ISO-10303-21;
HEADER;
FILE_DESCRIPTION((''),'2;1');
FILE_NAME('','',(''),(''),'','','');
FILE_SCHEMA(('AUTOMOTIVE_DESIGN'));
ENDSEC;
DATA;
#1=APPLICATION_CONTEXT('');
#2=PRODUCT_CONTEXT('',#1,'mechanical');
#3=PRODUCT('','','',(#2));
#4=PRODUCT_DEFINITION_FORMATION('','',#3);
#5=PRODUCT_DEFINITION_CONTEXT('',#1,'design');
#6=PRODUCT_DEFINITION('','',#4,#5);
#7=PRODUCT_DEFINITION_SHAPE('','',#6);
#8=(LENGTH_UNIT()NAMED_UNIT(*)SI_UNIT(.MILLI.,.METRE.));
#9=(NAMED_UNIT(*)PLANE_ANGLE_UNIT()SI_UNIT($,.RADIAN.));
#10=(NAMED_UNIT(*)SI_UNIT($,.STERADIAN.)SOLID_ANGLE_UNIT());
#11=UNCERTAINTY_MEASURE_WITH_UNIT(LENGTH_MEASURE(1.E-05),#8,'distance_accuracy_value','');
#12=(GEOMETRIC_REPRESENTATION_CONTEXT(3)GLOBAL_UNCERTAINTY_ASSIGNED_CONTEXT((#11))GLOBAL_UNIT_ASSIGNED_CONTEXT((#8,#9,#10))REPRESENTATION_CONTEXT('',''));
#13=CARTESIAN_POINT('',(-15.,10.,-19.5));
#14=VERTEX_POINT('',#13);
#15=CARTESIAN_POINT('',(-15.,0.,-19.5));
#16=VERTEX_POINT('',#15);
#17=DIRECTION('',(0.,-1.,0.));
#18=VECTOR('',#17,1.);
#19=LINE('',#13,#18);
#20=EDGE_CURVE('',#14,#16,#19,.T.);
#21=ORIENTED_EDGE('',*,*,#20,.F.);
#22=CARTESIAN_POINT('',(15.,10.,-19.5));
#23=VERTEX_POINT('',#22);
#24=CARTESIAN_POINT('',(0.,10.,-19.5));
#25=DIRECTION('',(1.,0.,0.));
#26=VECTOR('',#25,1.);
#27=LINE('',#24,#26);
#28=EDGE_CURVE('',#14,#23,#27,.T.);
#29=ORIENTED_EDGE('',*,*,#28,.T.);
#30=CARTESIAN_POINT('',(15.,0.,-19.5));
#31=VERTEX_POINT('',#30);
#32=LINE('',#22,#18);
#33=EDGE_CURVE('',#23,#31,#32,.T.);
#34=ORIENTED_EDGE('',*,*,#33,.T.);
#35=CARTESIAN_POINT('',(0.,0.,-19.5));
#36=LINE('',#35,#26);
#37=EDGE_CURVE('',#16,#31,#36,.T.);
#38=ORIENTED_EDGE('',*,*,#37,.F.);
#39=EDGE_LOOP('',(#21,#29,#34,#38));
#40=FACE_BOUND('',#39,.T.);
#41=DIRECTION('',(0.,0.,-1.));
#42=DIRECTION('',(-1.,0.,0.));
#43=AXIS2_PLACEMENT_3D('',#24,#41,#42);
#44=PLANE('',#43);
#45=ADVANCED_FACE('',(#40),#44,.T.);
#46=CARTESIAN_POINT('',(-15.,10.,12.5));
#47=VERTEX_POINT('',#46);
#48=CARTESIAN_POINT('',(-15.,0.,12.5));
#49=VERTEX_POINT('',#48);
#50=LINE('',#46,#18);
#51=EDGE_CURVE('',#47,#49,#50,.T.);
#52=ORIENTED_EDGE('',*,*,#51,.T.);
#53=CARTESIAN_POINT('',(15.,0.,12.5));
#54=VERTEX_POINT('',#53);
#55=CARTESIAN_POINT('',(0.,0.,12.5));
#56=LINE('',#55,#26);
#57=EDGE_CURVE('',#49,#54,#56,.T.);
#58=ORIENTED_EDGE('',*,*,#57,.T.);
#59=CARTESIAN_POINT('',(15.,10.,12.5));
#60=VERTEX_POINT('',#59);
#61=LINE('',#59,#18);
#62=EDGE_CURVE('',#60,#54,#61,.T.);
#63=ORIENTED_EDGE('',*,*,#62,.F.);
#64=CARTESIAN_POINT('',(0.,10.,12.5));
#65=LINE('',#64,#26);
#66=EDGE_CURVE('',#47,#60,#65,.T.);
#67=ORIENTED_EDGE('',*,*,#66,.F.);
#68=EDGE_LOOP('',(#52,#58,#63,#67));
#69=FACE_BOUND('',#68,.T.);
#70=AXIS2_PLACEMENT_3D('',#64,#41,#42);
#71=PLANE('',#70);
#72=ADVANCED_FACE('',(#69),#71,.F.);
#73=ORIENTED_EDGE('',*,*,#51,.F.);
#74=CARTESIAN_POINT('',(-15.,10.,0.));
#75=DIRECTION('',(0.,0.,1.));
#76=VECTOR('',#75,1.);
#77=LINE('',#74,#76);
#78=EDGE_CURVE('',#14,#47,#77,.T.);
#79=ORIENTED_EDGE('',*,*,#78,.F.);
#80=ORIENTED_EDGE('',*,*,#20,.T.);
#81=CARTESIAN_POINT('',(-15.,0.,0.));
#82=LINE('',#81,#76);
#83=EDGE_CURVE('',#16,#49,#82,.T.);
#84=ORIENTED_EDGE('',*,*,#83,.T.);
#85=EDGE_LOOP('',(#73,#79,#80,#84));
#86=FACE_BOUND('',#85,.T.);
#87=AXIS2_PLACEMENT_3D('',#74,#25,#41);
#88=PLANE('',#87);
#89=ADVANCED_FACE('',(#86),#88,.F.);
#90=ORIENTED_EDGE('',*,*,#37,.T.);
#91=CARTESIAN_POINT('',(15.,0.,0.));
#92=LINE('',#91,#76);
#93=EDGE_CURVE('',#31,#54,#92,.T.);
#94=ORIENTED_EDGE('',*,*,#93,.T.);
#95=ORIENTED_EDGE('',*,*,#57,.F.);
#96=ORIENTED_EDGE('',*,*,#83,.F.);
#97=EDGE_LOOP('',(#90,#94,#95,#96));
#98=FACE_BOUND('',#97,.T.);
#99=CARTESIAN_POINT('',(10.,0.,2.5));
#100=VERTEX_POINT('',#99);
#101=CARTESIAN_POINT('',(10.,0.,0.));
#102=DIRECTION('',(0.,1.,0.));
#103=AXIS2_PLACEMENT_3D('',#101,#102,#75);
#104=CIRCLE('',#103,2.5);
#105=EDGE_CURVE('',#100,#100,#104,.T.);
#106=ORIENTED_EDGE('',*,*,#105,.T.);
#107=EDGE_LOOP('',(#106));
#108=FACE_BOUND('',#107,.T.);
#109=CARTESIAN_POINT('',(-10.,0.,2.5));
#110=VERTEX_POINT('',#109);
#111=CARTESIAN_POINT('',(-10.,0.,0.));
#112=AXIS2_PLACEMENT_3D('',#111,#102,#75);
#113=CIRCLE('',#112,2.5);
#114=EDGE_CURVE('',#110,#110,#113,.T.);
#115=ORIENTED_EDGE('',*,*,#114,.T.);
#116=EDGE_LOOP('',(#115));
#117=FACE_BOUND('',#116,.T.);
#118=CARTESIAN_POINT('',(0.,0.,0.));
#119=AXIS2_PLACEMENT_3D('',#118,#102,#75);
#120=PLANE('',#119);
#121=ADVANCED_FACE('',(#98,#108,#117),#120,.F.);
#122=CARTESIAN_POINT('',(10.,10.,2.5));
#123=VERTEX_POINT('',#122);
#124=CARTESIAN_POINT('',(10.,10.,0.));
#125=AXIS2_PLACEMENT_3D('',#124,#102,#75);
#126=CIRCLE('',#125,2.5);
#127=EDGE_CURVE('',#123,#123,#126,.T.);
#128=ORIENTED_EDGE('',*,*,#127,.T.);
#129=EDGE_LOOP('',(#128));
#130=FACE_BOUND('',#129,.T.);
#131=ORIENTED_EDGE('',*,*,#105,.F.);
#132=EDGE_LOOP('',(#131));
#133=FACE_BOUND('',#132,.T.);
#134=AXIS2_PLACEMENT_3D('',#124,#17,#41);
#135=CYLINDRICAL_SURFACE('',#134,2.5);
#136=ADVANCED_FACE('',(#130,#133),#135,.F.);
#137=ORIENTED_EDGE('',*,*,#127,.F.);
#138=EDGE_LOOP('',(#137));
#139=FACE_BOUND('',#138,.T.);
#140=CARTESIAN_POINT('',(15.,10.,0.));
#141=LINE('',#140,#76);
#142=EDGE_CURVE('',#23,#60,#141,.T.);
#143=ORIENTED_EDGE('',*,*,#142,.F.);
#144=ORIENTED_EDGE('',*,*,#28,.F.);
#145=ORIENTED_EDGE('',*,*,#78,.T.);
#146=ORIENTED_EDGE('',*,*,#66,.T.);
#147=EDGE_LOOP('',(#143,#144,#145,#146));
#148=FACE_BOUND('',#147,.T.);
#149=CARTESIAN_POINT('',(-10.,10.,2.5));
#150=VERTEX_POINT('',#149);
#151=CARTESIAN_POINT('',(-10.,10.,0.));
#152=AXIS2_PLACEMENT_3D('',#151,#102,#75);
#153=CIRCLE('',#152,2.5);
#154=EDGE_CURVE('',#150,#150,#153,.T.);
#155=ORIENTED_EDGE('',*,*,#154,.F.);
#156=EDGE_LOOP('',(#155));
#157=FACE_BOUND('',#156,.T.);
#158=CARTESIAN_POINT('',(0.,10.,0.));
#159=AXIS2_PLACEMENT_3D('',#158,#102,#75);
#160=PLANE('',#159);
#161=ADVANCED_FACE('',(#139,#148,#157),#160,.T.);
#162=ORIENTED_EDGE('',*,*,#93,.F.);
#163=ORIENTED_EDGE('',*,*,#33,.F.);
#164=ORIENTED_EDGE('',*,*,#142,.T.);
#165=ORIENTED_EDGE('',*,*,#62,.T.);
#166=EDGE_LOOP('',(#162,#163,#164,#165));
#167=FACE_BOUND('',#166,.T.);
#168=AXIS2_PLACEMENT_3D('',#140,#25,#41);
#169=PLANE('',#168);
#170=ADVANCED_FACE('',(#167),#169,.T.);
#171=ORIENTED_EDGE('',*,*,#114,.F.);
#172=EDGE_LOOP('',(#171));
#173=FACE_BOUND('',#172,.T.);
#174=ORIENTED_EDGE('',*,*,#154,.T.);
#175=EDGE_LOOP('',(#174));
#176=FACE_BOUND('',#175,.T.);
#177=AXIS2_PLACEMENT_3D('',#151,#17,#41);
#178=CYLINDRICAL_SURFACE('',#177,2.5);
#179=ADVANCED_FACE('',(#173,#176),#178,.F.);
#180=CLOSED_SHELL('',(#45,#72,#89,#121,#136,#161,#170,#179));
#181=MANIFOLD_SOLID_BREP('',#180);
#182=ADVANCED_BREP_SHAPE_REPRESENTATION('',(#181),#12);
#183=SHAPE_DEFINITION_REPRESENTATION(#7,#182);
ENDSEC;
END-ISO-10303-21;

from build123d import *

# Parameters (mm, degrees)
SKETCH1_W           = 30
SKETCH1_H           = 22
SKETCH1_H_2         = 32
SKETCH1_R           = 2.5
BOSS_EXTRUDE1_DEPTH = 10


with BuildPart() as part:
    # Sketch1 → Boss-Extrude1 (new body)
    # profile 1 of 2: a face of its own
    with BuildSketch(Plane(origin=(0, 0, 0), x_dir=(1, 0, 0), z_dir=(0, 1, 0))):
        with Locations((0, 3.5)):
            Rectangle(SKETCH1_W, SKETCH1_H)
        with BuildLine():
            ThreePointArc((-7.5, -2.5), (-10, -5), (-12.5, -2.5))
            Line((-12.5, -2.5), (-12.5, 0))
            Line((-12.5, 0), (-12.5, 2.5))
            ThreePointArc((-12.5, 2.5), (-10, 5), (-7.5, 2.5))
            Line((-7.5, 2.5), (-7.5, 0))
            Line((-7.5, 0), (-7.5, -2.5))
        make_face(mode=Mode.SUBTRACT)
        with BuildLine():
            ThreePointArc((12.5, -2.5), (10, -5), (7.5, -2.5))
            Line((7.5, -2.5), (7.5, 0))
            Line((7.5, 0), (7.5, 2.5))
            ThreePointArc((7.5, 2.5), (10, 5), (12.5, 2.5))
            Line((12.5, 2.5), (12.5, 0))
            Line((12.5, 0), (12.5, -2.5))
        make_face(mode=Mode.SUBTRACT)
    # profile 2 of 2: a face of its own
    with BuildSketch(Plane(origin=(0, 0, 0), x_dir=(1, 0, 0), z_dir=(0, 1, 0))):
        with Locations((0, 3.5)):
            Rectangle(SKETCH1_W, SKETCH1_H_2)
        with Locations(Location((10, 0, 0), (0, 0, 270))):
            Circle(SKETCH1_R, mode=Mode.SUBTRACT)
        with Locations(Location((-10, 0, 0), (0, 0, 270))):
            Circle(SKETCH1_R, mode=Mode.SUBTRACT)
    extrude(amount=BOSS_EXTRUDE1_DEPTH)


solid = part.part
